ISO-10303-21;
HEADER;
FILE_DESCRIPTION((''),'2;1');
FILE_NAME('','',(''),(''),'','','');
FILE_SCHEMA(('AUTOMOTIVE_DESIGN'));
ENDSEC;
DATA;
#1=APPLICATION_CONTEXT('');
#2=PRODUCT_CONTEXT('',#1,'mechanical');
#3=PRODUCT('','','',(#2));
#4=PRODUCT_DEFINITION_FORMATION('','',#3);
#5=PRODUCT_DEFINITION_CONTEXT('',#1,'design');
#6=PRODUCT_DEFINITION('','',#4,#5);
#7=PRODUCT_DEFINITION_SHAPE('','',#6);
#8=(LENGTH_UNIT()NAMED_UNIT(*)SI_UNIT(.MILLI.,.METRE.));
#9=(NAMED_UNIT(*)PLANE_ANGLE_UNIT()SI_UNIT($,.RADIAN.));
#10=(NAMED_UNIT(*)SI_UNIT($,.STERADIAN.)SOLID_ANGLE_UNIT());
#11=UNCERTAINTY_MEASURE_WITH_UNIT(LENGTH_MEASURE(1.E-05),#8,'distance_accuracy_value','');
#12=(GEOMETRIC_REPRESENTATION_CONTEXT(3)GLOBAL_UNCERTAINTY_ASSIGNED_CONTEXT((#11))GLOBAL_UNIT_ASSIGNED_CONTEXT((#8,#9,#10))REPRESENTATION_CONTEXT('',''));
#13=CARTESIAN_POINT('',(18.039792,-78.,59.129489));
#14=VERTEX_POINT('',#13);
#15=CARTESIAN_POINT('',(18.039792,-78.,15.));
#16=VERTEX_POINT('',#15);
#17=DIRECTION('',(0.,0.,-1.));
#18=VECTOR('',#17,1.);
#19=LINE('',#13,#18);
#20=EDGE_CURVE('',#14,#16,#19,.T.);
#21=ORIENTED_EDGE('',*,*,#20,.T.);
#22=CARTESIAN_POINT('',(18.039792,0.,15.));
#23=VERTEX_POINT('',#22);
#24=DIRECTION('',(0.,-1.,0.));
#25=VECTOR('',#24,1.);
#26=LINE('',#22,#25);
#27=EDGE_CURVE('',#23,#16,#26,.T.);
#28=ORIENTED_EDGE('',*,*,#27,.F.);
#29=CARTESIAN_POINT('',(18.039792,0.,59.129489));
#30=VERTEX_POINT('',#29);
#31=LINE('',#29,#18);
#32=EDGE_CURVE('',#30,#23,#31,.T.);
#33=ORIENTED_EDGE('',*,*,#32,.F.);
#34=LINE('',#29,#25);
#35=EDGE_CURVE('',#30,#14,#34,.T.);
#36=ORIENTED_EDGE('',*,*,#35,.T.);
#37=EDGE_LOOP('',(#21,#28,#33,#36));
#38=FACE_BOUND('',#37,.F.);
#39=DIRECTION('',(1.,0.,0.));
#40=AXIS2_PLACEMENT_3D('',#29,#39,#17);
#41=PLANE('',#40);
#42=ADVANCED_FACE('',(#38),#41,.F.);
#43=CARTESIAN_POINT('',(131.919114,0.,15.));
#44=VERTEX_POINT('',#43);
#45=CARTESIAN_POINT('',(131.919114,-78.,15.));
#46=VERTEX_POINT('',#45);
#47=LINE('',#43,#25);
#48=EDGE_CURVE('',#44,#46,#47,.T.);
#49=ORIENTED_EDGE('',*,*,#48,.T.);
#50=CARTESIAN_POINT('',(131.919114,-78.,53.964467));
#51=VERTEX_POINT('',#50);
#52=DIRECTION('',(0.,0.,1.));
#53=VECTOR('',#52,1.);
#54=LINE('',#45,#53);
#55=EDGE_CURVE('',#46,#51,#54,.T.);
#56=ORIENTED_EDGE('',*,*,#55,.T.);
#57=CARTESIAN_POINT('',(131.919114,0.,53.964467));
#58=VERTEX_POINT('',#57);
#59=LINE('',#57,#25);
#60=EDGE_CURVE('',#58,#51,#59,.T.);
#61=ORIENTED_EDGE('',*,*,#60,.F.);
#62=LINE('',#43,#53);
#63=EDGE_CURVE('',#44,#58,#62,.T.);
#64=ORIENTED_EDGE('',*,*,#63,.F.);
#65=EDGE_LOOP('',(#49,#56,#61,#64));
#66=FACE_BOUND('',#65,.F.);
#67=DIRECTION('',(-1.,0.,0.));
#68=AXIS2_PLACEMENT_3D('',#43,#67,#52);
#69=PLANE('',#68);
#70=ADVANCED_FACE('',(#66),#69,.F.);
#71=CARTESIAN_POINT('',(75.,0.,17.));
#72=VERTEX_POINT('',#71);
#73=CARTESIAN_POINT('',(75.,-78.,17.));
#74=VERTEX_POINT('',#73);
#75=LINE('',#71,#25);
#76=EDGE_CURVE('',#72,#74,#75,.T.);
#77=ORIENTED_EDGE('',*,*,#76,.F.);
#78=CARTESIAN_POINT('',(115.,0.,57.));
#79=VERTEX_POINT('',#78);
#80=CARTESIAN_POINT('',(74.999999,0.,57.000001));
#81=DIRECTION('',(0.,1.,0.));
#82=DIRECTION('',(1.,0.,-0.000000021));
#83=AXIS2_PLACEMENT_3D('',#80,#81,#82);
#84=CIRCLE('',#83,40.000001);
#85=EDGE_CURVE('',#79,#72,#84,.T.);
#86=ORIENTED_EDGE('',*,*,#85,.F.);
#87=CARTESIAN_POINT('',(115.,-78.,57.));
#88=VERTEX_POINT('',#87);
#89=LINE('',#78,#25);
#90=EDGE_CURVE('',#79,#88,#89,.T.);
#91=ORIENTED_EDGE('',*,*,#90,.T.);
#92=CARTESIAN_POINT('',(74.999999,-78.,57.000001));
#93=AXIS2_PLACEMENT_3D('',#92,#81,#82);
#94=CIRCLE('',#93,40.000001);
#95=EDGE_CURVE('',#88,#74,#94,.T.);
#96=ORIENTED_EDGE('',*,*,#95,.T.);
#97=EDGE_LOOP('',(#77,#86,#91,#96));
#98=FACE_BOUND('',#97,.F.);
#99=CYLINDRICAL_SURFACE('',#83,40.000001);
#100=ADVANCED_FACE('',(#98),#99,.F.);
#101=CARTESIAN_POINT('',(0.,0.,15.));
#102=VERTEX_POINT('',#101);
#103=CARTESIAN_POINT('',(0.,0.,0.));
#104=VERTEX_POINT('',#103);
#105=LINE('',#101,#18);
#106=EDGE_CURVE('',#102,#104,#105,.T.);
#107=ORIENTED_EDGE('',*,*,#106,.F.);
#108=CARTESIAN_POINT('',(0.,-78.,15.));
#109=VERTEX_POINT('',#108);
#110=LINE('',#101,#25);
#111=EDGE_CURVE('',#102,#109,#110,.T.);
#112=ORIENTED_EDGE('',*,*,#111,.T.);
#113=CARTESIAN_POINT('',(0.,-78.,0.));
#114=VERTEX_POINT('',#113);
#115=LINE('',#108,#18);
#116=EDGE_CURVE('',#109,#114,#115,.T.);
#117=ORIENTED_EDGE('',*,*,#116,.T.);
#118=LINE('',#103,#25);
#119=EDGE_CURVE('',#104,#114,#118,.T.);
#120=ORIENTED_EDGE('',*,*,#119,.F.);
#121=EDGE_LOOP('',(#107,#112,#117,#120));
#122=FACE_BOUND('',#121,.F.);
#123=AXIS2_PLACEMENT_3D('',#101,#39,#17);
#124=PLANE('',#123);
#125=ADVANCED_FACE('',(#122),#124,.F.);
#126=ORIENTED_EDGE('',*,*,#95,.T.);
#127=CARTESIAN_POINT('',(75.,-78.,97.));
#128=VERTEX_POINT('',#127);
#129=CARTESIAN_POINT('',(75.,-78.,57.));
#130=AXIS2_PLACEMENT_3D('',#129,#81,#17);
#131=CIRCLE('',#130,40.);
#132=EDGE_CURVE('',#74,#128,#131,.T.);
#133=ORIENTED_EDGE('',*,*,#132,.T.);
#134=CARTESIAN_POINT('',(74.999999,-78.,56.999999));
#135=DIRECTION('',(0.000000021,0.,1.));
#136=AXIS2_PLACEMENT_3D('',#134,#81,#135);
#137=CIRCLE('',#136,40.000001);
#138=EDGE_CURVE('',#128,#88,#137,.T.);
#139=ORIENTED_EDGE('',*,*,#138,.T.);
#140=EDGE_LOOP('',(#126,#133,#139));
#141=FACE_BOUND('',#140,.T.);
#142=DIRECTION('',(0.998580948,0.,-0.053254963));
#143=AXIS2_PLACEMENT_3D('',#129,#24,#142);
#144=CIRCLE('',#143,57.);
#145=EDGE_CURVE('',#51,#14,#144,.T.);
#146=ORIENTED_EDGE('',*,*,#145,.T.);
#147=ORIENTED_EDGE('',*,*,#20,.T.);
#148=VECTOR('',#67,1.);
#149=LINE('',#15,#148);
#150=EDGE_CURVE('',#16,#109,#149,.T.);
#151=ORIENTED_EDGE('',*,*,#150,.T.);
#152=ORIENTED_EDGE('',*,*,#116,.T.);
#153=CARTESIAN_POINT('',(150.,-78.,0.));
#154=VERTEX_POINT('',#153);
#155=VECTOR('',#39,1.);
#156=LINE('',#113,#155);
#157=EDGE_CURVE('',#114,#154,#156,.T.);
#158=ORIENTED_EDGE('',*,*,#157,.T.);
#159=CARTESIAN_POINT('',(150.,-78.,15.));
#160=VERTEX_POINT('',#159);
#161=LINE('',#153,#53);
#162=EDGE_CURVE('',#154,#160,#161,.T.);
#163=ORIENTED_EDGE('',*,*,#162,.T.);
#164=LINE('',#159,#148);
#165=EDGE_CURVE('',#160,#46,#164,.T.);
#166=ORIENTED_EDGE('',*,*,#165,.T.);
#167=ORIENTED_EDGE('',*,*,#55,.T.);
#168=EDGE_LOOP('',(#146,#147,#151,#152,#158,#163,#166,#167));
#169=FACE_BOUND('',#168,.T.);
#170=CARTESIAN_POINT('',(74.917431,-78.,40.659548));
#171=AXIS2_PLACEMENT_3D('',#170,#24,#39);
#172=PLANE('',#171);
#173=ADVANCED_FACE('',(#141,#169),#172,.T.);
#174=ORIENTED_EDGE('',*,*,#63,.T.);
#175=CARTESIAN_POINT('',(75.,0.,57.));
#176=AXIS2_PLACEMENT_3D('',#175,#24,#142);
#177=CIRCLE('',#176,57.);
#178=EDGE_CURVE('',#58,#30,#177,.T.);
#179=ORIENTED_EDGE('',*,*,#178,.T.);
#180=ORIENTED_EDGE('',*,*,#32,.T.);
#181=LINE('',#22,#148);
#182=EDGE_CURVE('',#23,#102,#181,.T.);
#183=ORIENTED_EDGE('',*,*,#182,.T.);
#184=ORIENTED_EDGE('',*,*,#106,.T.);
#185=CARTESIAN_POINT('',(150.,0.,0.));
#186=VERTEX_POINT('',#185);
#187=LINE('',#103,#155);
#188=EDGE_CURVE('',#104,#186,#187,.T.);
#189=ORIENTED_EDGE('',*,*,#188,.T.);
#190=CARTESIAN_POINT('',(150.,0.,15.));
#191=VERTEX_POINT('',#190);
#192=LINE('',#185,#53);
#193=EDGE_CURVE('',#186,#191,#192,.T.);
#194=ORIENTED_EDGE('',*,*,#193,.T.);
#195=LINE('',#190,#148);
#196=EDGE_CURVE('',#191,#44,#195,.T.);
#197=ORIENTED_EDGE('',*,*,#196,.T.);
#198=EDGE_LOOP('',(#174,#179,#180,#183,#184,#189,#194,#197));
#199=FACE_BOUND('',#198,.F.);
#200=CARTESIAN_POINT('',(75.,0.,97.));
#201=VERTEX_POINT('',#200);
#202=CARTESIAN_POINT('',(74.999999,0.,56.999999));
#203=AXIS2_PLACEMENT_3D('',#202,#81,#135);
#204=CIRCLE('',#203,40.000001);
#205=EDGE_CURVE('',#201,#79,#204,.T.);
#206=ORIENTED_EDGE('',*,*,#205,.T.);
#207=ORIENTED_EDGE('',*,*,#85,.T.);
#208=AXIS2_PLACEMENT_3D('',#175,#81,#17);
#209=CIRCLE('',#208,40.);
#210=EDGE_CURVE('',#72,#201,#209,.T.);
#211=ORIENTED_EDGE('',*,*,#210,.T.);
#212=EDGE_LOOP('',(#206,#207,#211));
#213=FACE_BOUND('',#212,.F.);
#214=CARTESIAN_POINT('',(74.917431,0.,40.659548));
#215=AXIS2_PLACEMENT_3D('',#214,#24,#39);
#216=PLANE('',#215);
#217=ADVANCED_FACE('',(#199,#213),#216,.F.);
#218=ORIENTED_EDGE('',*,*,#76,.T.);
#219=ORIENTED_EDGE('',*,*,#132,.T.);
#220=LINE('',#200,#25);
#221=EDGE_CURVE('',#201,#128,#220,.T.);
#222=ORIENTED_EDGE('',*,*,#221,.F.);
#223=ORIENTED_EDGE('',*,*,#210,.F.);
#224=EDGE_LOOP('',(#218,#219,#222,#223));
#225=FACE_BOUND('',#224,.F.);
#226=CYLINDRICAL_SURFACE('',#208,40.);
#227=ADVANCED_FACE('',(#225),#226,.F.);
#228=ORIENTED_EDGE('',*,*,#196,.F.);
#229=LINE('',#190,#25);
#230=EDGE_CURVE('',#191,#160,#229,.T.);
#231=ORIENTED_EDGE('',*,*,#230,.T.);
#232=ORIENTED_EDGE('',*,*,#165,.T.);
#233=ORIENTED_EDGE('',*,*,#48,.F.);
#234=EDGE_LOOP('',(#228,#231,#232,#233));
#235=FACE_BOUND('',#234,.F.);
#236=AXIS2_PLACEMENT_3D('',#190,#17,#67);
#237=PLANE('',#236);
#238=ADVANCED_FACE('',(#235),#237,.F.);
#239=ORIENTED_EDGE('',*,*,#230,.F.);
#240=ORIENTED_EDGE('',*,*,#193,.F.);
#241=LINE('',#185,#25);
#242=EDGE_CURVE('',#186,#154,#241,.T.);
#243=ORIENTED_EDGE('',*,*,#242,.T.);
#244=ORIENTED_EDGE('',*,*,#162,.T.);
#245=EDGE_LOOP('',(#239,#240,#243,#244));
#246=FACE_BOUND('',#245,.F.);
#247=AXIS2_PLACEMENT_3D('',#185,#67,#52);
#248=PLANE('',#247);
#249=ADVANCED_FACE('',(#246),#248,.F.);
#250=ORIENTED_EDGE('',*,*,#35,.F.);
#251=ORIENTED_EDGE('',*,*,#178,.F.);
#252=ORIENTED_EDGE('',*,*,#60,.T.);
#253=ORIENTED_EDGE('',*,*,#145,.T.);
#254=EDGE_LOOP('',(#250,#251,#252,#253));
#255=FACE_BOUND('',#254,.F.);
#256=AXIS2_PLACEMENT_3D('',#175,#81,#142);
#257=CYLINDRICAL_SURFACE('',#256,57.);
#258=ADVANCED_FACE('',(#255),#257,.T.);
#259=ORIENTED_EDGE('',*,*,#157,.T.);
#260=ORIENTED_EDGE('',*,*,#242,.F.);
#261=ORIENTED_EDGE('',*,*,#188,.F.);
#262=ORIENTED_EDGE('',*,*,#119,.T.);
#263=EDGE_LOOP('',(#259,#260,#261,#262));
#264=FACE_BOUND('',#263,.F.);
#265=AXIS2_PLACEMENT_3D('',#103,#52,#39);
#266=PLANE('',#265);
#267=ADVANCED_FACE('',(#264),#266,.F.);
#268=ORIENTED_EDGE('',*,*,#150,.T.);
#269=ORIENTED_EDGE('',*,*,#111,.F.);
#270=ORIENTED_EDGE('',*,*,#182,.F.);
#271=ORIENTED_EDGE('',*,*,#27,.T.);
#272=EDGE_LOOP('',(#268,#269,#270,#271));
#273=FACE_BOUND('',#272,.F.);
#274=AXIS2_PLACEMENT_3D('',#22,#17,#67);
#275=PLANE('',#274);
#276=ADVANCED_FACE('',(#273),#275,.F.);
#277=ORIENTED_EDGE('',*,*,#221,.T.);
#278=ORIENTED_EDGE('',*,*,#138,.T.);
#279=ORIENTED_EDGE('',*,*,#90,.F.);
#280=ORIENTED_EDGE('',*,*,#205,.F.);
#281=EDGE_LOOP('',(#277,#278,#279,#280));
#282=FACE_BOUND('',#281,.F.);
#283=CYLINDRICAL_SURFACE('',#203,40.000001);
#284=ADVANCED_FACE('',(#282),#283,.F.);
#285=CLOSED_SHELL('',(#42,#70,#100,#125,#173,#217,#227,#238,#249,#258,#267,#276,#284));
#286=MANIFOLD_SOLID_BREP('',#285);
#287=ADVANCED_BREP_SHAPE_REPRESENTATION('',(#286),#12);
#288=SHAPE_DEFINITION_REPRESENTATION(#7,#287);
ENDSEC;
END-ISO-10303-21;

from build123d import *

# Parameters (mm, degrees)
F1_DEPTH = 78


with BuildPart() as f1:
    # F0 (on Front) → F1 (new body)
    with BuildSketch(Plane.XZ):
        with BuildLine():
            Line((0, 15), (0, 0))
            Line((0, 0), (150, 0))
            Line((150, 0), (150, 15))
            Line((150, 15), (131.919114, 15))
            Line((131.919114, 15), (131.919114, 53.964467))
            ThreePointArc((131.919114, 53.964467), (77.582593, 113.941463), (18.039792, 59.129489))
            Line((18.039792, 59.129489), (18.039792, 54.870511))
            Line((18.039792, 54.870511), (18.039792, 15))
            Line((18.039792, 15), (0, 15))
        make_face()
        with BuildLine():
            ThreePointArc((115, 57), (103.284271, 28.715729), (75, 17))
            ThreePointArc((75, 17), (35, 57), (75, 97))
            ThreePointArc((75, 97), (103.284271, 85.284271), (115, 57))
        make_face(mode=Mode.SUBTRACT)
    extrude(amount=F1_DEPTH)


solid = f1.part
